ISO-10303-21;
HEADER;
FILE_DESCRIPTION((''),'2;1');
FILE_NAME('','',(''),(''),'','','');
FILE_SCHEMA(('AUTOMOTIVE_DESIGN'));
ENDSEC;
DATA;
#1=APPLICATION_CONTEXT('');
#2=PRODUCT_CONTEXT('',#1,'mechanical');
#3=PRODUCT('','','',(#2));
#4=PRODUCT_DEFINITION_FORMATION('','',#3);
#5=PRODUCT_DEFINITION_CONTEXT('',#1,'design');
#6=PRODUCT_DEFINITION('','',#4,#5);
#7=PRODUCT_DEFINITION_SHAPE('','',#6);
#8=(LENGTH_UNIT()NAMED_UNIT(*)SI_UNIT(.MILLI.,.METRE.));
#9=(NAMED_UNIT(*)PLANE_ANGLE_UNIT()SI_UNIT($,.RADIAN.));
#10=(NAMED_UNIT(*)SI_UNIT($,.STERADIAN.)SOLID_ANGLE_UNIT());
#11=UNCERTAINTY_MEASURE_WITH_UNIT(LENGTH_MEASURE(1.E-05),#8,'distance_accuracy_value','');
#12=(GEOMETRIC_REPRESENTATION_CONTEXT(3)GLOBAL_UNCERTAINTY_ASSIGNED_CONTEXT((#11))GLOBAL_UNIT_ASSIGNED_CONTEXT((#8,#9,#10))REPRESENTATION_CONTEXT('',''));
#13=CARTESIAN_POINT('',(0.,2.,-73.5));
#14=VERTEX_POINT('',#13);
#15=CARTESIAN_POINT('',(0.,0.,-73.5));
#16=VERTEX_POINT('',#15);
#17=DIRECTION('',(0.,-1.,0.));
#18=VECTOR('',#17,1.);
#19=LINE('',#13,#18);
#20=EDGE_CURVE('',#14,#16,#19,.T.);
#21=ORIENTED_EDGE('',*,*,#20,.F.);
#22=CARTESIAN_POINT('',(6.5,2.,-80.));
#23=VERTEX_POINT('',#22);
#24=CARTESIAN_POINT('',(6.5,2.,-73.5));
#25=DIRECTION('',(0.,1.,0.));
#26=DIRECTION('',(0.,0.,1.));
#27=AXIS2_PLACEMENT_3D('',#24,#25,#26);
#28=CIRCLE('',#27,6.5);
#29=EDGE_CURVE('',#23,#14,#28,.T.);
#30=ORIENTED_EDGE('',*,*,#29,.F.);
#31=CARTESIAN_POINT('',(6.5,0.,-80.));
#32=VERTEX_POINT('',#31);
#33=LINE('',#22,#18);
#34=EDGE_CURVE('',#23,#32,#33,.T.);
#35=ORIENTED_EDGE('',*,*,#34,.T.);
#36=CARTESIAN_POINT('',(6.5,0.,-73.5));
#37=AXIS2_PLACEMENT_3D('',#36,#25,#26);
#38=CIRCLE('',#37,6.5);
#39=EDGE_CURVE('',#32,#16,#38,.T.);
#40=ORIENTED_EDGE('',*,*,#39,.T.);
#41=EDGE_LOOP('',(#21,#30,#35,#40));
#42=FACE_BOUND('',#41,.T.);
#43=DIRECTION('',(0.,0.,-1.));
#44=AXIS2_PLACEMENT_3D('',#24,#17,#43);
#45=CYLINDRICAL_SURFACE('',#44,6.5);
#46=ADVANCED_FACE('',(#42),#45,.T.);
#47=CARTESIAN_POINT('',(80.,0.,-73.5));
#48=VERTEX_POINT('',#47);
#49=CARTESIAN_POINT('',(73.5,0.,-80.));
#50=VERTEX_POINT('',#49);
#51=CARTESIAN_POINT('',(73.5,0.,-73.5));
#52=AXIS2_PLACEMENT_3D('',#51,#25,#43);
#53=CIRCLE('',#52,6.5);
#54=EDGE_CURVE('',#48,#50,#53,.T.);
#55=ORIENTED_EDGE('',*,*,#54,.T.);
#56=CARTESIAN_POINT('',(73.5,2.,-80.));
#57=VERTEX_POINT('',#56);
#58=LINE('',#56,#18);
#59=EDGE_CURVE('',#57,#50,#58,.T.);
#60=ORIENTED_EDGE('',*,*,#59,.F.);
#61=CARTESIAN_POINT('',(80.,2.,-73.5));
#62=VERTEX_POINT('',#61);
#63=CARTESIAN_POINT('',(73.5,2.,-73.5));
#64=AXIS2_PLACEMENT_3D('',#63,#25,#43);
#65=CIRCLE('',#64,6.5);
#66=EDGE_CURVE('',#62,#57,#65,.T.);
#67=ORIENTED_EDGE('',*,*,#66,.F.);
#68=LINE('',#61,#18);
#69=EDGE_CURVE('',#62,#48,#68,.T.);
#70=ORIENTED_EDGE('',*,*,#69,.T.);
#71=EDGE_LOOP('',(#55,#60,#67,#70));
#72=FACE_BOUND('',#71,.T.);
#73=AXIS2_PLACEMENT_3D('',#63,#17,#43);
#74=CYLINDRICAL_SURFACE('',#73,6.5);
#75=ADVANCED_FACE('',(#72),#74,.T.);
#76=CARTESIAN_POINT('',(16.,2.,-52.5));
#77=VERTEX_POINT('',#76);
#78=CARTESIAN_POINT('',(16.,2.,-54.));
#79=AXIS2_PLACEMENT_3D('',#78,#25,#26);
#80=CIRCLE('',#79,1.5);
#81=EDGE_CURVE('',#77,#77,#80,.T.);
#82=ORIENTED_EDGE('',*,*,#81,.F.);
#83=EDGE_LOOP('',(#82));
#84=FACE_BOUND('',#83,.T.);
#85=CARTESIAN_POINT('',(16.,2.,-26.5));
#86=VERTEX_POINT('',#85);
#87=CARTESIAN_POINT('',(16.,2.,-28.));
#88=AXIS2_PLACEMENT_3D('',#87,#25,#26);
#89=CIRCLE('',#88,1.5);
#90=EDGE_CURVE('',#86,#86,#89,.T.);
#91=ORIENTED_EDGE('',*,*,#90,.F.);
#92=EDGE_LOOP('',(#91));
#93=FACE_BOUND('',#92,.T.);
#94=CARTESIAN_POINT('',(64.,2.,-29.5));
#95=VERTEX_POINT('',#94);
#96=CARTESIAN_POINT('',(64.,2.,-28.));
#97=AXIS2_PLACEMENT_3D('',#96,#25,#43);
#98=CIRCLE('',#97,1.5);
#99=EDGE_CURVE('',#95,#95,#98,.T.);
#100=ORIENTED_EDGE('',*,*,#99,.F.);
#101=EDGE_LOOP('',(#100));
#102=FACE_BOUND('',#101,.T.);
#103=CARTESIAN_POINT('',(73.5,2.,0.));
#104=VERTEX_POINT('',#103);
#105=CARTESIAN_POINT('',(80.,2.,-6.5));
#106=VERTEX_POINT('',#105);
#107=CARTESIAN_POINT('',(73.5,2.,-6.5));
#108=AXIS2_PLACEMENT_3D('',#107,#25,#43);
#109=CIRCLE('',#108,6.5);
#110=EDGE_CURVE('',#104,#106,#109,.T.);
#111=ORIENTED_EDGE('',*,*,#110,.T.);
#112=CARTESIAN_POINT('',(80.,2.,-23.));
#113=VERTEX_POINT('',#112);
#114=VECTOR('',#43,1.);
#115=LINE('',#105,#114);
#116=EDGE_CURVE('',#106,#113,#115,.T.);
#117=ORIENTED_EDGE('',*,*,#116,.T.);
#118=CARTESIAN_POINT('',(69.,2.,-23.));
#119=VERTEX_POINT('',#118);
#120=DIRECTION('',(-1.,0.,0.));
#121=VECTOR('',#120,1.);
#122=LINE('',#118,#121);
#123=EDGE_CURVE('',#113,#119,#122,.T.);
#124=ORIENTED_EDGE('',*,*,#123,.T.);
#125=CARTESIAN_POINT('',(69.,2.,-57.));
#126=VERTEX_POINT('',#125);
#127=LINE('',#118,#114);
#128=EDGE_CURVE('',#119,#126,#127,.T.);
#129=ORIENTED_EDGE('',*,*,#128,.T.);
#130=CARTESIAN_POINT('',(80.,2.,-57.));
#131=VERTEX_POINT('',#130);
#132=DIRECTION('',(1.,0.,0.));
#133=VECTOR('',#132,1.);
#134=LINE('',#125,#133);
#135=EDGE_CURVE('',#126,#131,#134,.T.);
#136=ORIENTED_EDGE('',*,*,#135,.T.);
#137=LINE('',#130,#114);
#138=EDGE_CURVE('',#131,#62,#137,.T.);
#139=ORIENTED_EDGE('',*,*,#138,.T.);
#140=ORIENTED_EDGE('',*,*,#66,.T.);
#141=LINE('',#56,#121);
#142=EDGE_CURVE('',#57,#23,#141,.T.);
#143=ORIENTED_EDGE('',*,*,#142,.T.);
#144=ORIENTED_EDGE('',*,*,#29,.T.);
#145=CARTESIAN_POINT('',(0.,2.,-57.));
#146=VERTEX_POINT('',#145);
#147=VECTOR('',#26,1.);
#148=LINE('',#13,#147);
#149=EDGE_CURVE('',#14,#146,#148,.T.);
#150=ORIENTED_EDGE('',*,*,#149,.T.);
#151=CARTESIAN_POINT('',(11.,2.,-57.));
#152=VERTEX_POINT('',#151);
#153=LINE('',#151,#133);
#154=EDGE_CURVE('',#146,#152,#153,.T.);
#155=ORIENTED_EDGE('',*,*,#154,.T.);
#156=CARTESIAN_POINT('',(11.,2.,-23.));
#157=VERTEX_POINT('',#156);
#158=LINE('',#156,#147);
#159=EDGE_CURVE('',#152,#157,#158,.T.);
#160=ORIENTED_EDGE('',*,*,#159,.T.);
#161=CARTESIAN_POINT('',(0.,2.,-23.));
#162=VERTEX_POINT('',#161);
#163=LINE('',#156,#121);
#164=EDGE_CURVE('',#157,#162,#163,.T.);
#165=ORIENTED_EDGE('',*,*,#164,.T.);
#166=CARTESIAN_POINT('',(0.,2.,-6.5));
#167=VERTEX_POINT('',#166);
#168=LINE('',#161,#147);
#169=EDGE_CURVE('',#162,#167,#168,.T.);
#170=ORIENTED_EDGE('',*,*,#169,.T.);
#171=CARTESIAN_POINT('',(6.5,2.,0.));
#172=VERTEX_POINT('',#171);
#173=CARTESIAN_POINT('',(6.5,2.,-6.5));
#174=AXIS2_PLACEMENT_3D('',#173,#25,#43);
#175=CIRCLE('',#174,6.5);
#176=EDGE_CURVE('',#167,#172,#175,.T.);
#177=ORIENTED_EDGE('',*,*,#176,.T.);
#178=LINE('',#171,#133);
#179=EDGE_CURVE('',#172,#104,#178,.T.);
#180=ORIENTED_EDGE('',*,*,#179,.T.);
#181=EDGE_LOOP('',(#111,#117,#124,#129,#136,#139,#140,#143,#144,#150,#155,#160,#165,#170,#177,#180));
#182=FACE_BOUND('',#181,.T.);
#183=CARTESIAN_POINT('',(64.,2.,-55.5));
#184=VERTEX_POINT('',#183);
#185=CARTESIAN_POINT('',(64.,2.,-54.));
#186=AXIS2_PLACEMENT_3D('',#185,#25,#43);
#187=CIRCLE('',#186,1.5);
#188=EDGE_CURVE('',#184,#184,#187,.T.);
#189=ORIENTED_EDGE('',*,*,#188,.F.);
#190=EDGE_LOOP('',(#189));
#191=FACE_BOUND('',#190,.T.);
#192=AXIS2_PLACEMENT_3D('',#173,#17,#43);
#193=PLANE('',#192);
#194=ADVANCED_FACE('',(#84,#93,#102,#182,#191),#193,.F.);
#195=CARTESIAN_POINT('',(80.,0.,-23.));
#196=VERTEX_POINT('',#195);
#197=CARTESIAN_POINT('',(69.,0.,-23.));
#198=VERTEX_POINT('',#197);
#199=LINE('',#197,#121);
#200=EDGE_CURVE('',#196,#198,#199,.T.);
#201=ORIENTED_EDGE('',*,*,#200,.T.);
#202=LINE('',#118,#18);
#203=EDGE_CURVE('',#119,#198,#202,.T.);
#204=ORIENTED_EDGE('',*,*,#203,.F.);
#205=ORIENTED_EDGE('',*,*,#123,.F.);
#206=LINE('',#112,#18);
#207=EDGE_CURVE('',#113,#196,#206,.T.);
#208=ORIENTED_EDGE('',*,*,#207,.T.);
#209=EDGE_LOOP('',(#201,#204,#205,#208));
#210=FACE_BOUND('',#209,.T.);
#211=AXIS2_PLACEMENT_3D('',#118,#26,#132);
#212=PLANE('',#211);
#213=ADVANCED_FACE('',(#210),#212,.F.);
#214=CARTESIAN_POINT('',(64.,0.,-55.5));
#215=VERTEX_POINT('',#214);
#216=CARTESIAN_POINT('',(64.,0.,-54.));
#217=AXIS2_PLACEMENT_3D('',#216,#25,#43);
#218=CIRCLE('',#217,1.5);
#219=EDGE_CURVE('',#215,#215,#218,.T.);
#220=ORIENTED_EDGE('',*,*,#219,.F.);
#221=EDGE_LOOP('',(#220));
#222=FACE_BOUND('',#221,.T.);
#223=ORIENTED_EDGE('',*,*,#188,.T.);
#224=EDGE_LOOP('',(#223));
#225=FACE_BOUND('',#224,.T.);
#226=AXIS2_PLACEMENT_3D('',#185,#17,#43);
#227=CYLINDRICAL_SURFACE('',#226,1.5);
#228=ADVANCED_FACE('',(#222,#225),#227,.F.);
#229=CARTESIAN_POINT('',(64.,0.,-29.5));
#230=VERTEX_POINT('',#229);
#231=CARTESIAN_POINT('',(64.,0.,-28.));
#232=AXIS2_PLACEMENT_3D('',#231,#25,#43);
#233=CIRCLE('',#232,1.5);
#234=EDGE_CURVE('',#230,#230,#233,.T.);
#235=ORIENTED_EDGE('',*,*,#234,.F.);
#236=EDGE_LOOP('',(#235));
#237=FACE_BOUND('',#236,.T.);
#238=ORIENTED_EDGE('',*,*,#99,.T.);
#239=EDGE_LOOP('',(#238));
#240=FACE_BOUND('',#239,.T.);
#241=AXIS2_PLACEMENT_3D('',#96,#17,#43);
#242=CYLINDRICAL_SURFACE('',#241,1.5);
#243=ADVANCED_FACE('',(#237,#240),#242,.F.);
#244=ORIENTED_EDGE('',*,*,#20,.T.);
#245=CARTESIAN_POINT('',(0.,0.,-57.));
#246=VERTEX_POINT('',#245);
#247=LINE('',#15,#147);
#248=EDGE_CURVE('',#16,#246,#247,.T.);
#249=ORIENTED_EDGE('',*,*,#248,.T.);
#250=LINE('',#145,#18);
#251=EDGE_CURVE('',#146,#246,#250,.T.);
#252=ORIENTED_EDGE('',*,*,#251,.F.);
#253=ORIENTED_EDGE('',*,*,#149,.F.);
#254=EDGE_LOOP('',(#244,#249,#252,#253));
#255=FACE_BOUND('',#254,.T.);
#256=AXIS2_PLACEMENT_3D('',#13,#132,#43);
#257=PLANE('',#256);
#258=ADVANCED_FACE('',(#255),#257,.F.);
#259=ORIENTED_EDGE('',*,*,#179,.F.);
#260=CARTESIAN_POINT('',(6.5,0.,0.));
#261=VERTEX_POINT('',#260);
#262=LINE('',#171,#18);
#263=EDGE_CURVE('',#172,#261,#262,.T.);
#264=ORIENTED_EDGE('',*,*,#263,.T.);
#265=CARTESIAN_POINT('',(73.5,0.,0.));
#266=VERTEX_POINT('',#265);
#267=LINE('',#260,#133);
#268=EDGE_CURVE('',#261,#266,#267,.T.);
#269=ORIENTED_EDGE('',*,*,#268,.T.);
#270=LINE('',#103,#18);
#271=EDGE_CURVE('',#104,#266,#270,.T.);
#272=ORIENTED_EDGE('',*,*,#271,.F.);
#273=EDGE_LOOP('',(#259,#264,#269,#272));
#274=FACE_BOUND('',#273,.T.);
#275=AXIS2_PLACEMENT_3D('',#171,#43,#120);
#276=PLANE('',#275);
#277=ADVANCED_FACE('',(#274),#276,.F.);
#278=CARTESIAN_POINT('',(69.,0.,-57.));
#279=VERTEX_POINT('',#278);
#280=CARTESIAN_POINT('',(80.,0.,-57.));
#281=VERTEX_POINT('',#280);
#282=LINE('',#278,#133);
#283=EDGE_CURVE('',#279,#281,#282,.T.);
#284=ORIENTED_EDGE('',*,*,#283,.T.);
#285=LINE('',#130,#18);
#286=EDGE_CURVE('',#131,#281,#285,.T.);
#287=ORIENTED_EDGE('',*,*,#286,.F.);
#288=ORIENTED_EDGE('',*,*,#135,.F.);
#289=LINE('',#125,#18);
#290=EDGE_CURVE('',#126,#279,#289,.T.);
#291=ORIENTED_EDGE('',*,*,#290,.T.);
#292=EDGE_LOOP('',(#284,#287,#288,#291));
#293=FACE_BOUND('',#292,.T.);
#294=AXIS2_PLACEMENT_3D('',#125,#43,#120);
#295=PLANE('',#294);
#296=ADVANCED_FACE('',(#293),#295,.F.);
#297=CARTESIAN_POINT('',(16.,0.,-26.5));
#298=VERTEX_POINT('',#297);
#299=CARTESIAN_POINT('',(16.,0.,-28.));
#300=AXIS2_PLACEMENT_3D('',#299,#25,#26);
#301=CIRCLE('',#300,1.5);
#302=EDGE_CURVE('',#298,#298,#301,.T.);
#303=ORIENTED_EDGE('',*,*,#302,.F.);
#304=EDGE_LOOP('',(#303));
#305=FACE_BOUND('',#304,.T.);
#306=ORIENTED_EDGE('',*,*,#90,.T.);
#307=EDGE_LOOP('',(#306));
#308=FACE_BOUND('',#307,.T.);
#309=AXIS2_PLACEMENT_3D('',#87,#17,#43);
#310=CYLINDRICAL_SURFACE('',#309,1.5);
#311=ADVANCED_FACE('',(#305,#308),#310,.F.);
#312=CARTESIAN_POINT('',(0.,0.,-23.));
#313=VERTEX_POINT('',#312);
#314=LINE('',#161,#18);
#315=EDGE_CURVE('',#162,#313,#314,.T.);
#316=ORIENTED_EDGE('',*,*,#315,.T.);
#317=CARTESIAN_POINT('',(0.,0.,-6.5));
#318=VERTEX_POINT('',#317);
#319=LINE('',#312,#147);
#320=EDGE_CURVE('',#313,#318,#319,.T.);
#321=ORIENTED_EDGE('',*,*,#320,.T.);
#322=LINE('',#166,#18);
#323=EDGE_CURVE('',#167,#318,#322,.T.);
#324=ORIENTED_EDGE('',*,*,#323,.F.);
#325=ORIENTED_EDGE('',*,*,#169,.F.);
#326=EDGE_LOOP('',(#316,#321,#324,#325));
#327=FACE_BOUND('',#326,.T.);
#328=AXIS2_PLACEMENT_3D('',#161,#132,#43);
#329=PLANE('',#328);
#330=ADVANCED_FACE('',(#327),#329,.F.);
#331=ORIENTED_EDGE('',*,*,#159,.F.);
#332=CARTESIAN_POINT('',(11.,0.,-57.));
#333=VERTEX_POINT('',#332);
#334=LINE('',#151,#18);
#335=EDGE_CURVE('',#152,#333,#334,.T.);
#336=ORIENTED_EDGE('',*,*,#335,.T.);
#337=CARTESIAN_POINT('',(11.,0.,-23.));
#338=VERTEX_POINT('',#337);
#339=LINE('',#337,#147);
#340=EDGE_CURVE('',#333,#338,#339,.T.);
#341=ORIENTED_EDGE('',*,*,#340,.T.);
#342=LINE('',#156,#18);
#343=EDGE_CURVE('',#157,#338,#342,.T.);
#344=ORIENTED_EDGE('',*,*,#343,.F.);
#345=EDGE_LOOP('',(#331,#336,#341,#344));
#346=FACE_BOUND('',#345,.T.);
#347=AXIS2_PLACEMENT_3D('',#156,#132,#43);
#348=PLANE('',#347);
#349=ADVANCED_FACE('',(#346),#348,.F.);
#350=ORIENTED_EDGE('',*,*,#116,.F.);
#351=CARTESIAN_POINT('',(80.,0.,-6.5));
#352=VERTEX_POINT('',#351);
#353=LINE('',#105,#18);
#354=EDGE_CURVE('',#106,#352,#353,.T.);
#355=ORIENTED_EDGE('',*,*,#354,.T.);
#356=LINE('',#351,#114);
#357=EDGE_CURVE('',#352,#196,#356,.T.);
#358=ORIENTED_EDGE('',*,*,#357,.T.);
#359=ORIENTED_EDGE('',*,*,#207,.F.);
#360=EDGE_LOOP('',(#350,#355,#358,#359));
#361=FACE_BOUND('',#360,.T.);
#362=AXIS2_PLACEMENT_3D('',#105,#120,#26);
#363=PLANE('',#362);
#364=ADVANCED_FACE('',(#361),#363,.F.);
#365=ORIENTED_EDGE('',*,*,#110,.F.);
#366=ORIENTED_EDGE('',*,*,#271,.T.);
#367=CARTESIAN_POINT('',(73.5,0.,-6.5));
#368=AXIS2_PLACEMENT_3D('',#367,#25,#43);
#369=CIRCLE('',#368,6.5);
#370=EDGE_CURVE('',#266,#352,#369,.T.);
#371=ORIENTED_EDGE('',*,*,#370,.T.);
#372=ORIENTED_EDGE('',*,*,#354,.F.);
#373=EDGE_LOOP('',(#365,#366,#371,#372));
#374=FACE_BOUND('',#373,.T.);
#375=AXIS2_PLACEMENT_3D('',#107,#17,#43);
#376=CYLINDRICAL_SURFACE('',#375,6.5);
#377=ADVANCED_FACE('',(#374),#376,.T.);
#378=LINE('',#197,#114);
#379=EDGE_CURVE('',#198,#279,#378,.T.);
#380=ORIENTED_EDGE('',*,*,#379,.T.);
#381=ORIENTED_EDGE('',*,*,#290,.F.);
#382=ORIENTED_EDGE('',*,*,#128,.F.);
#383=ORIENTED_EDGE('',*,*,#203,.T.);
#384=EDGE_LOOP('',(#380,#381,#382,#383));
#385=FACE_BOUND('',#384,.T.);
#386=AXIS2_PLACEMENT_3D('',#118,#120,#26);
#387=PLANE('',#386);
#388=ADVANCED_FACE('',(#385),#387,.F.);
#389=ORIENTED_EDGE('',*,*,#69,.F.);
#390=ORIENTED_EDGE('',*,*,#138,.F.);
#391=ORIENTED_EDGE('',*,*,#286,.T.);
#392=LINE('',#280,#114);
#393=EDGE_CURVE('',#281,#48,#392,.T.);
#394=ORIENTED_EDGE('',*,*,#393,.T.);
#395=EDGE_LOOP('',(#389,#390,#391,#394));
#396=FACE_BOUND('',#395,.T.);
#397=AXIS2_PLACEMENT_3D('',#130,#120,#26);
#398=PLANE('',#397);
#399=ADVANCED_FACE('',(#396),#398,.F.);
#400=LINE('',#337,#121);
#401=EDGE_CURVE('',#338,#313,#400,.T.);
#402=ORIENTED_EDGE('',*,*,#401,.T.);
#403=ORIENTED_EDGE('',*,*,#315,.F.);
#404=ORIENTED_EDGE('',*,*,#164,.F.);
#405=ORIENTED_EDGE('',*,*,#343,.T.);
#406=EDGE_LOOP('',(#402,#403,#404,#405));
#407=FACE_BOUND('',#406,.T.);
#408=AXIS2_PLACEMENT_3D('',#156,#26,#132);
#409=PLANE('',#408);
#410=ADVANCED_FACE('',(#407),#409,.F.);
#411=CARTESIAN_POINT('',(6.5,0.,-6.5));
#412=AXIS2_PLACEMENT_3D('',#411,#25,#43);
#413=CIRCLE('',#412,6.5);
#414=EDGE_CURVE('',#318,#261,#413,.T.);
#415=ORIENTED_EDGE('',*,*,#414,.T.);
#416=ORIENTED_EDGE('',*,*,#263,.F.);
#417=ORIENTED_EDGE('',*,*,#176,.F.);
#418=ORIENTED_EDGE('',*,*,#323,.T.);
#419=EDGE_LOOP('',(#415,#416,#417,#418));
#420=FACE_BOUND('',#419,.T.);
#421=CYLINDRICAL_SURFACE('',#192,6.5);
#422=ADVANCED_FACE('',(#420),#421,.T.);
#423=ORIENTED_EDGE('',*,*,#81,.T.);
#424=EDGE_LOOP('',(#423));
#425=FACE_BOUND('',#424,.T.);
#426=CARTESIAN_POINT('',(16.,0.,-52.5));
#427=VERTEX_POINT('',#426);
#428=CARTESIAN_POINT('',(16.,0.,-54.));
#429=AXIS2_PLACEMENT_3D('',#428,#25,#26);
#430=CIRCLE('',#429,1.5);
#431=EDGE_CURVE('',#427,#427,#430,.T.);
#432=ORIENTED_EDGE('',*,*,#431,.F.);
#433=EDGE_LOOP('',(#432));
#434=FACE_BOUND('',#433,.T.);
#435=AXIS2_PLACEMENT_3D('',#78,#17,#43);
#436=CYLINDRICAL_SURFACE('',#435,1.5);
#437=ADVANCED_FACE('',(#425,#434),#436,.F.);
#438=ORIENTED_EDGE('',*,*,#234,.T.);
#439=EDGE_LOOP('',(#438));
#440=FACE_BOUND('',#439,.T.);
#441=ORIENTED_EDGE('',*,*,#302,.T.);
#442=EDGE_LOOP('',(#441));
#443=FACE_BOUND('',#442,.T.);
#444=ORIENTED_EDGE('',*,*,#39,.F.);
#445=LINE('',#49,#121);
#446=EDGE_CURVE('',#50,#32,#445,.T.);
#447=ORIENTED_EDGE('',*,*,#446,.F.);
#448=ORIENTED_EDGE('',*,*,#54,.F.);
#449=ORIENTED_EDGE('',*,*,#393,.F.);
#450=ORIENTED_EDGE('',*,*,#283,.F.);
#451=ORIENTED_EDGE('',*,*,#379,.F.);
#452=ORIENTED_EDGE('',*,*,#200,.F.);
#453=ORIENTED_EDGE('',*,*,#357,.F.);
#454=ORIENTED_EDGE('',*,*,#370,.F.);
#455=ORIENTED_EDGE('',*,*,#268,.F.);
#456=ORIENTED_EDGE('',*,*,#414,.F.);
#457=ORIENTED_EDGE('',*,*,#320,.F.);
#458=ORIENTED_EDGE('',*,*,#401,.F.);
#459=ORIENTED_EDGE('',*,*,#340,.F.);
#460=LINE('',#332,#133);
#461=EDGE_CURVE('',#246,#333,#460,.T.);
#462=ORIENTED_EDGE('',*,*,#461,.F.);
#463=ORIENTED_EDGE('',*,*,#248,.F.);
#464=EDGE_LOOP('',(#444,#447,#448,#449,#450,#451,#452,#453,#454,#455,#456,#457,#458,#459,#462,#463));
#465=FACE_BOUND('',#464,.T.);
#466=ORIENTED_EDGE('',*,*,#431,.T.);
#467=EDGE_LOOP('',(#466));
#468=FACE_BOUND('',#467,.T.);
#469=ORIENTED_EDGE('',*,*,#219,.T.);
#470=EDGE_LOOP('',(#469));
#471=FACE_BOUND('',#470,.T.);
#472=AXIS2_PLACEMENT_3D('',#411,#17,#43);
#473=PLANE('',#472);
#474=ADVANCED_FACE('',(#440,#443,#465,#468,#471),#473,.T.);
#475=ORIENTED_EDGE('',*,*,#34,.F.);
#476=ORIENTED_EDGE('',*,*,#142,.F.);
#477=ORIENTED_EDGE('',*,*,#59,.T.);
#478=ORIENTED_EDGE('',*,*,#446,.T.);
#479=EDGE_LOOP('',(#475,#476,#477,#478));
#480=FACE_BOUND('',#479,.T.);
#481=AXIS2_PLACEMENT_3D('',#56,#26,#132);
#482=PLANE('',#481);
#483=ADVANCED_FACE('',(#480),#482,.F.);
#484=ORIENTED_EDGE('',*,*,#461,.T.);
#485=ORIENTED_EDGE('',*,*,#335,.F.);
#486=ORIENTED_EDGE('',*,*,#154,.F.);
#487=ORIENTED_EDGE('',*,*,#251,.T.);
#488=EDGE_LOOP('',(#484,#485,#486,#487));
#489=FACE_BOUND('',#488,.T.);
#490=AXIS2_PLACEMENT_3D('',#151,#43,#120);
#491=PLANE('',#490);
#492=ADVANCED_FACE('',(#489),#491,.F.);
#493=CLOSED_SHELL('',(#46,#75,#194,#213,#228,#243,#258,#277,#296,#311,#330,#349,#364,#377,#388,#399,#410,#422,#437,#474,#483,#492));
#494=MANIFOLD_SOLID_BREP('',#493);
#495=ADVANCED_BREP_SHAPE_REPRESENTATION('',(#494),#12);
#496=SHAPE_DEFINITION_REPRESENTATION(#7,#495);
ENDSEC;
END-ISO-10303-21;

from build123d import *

# Parameters (mm, degrees)
SKETCH1_R           = 1.5
BOSS_EXTRUDE1_DEPTH = 2


with BuildPart() as part:
    # Sketch1 → Boss-Extrude1 (new body)
    with BuildSketch(Plane(origin=(0, 0, 0), x_dir=(1, 0, 0), z_dir=(0, 1, 0))):
        with BuildLine():
            Line((6.5, 0), (73.5, 0))
            ThreePointArc((73.5, 0), (78.096194078, 1.903805922), (80, 6.5))
            Line((80, 6.5), (80, 23))
            Line((80, 23), (69, 23))
            Line((69, 23), (69, 57))
            Line((69, 57), (80, 57))
            Line((80, 57), (80, 73.5))
            ThreePointArc((80, 73.5), (78.096194078, 78.096194078), (73.5, 80))
            Line((73.5, 80), (6.5, 80))
            ThreePointArc((6.5, 80), (1.903805922, 78.096194078), (0, 73.5))
            Line((0, 73.5), (0, 57))
            Line((0, 57), (11, 57))
            Line((11, 57), (11, 23))
            Line((11, 23), (0, 23))
            Line((0, 23), (0, 6.5))
            ThreePointArc((0, 6.5), (1.903805922, 1.903805922), (6.5, 0))
        make_face()
        with Locations(Location((16, 54, 0), (0, 0, 270))):
            Circle(SKETCH1_R, mode=Mode.SUBTRACT)
        with Locations(Location((16, 28, 0), (0, 0, 270))):
            Circle(SKETCH1_R, mode=Mode.SUBTRACT)
        with Locations(Location((64, 28, 0), (0, 0, 90))):
            Circle(SKETCH1_R, mode=Mode.SUBTRACT)
        with Locations(Location((64, 54, 0), (0, 0, 90))):
            Circle(SKETCH1_R, mode=Mode.SUBTRACT)
    extrude(amount=BOSS_EXTRUDE1_DEPTH)


solid = part.part
